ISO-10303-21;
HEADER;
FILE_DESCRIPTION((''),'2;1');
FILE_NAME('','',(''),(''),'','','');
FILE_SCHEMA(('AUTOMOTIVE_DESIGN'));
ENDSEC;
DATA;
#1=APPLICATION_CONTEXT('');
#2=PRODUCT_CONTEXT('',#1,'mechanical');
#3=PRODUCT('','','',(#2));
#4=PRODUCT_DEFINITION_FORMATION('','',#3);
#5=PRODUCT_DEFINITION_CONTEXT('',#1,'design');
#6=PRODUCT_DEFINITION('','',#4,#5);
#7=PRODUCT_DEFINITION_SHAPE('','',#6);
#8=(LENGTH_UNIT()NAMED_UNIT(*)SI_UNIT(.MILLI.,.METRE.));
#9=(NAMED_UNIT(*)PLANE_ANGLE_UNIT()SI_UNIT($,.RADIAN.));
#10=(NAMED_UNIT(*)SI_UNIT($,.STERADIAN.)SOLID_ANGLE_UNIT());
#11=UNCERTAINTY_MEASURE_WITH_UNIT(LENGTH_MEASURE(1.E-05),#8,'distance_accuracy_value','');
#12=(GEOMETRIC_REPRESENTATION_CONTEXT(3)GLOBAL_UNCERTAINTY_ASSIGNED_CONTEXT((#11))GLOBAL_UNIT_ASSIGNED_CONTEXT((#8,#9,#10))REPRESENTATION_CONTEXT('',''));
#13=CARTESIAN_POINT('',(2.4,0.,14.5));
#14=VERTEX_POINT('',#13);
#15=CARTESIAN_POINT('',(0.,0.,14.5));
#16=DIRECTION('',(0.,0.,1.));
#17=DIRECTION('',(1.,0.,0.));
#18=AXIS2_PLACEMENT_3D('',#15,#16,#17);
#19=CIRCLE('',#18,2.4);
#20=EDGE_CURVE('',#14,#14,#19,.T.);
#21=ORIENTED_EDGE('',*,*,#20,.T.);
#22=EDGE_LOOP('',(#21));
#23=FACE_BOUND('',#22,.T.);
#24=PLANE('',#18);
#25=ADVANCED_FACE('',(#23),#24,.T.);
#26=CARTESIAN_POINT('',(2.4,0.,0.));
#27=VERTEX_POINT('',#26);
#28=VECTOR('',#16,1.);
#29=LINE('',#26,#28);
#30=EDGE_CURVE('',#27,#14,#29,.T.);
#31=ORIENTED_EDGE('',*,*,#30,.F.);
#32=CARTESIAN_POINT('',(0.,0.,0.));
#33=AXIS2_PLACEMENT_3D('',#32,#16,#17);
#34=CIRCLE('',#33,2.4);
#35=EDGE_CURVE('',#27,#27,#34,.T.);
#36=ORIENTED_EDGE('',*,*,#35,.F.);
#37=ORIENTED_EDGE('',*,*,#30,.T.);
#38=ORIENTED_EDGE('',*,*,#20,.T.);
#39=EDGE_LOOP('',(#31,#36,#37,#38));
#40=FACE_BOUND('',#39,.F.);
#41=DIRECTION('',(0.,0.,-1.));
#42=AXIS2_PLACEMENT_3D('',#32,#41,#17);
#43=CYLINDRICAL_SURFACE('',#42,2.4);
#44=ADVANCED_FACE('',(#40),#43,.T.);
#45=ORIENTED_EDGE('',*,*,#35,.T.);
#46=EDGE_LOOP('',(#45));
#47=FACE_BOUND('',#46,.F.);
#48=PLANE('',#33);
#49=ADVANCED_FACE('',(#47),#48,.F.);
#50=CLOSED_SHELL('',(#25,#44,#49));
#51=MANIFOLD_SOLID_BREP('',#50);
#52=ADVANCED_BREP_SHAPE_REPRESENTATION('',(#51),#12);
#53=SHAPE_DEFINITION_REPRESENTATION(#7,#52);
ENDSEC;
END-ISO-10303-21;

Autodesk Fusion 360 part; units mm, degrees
sketch "Sketch1" plane through (0, 0, 0) normal (0, 0, 1) x (1, 0, 0)
  circle A0 centre (0, 0) radius 2.4
  dimension "d1" = 4.8
extrude "Extrude1" add sketch "Sketch1" along normal blind 14.5
